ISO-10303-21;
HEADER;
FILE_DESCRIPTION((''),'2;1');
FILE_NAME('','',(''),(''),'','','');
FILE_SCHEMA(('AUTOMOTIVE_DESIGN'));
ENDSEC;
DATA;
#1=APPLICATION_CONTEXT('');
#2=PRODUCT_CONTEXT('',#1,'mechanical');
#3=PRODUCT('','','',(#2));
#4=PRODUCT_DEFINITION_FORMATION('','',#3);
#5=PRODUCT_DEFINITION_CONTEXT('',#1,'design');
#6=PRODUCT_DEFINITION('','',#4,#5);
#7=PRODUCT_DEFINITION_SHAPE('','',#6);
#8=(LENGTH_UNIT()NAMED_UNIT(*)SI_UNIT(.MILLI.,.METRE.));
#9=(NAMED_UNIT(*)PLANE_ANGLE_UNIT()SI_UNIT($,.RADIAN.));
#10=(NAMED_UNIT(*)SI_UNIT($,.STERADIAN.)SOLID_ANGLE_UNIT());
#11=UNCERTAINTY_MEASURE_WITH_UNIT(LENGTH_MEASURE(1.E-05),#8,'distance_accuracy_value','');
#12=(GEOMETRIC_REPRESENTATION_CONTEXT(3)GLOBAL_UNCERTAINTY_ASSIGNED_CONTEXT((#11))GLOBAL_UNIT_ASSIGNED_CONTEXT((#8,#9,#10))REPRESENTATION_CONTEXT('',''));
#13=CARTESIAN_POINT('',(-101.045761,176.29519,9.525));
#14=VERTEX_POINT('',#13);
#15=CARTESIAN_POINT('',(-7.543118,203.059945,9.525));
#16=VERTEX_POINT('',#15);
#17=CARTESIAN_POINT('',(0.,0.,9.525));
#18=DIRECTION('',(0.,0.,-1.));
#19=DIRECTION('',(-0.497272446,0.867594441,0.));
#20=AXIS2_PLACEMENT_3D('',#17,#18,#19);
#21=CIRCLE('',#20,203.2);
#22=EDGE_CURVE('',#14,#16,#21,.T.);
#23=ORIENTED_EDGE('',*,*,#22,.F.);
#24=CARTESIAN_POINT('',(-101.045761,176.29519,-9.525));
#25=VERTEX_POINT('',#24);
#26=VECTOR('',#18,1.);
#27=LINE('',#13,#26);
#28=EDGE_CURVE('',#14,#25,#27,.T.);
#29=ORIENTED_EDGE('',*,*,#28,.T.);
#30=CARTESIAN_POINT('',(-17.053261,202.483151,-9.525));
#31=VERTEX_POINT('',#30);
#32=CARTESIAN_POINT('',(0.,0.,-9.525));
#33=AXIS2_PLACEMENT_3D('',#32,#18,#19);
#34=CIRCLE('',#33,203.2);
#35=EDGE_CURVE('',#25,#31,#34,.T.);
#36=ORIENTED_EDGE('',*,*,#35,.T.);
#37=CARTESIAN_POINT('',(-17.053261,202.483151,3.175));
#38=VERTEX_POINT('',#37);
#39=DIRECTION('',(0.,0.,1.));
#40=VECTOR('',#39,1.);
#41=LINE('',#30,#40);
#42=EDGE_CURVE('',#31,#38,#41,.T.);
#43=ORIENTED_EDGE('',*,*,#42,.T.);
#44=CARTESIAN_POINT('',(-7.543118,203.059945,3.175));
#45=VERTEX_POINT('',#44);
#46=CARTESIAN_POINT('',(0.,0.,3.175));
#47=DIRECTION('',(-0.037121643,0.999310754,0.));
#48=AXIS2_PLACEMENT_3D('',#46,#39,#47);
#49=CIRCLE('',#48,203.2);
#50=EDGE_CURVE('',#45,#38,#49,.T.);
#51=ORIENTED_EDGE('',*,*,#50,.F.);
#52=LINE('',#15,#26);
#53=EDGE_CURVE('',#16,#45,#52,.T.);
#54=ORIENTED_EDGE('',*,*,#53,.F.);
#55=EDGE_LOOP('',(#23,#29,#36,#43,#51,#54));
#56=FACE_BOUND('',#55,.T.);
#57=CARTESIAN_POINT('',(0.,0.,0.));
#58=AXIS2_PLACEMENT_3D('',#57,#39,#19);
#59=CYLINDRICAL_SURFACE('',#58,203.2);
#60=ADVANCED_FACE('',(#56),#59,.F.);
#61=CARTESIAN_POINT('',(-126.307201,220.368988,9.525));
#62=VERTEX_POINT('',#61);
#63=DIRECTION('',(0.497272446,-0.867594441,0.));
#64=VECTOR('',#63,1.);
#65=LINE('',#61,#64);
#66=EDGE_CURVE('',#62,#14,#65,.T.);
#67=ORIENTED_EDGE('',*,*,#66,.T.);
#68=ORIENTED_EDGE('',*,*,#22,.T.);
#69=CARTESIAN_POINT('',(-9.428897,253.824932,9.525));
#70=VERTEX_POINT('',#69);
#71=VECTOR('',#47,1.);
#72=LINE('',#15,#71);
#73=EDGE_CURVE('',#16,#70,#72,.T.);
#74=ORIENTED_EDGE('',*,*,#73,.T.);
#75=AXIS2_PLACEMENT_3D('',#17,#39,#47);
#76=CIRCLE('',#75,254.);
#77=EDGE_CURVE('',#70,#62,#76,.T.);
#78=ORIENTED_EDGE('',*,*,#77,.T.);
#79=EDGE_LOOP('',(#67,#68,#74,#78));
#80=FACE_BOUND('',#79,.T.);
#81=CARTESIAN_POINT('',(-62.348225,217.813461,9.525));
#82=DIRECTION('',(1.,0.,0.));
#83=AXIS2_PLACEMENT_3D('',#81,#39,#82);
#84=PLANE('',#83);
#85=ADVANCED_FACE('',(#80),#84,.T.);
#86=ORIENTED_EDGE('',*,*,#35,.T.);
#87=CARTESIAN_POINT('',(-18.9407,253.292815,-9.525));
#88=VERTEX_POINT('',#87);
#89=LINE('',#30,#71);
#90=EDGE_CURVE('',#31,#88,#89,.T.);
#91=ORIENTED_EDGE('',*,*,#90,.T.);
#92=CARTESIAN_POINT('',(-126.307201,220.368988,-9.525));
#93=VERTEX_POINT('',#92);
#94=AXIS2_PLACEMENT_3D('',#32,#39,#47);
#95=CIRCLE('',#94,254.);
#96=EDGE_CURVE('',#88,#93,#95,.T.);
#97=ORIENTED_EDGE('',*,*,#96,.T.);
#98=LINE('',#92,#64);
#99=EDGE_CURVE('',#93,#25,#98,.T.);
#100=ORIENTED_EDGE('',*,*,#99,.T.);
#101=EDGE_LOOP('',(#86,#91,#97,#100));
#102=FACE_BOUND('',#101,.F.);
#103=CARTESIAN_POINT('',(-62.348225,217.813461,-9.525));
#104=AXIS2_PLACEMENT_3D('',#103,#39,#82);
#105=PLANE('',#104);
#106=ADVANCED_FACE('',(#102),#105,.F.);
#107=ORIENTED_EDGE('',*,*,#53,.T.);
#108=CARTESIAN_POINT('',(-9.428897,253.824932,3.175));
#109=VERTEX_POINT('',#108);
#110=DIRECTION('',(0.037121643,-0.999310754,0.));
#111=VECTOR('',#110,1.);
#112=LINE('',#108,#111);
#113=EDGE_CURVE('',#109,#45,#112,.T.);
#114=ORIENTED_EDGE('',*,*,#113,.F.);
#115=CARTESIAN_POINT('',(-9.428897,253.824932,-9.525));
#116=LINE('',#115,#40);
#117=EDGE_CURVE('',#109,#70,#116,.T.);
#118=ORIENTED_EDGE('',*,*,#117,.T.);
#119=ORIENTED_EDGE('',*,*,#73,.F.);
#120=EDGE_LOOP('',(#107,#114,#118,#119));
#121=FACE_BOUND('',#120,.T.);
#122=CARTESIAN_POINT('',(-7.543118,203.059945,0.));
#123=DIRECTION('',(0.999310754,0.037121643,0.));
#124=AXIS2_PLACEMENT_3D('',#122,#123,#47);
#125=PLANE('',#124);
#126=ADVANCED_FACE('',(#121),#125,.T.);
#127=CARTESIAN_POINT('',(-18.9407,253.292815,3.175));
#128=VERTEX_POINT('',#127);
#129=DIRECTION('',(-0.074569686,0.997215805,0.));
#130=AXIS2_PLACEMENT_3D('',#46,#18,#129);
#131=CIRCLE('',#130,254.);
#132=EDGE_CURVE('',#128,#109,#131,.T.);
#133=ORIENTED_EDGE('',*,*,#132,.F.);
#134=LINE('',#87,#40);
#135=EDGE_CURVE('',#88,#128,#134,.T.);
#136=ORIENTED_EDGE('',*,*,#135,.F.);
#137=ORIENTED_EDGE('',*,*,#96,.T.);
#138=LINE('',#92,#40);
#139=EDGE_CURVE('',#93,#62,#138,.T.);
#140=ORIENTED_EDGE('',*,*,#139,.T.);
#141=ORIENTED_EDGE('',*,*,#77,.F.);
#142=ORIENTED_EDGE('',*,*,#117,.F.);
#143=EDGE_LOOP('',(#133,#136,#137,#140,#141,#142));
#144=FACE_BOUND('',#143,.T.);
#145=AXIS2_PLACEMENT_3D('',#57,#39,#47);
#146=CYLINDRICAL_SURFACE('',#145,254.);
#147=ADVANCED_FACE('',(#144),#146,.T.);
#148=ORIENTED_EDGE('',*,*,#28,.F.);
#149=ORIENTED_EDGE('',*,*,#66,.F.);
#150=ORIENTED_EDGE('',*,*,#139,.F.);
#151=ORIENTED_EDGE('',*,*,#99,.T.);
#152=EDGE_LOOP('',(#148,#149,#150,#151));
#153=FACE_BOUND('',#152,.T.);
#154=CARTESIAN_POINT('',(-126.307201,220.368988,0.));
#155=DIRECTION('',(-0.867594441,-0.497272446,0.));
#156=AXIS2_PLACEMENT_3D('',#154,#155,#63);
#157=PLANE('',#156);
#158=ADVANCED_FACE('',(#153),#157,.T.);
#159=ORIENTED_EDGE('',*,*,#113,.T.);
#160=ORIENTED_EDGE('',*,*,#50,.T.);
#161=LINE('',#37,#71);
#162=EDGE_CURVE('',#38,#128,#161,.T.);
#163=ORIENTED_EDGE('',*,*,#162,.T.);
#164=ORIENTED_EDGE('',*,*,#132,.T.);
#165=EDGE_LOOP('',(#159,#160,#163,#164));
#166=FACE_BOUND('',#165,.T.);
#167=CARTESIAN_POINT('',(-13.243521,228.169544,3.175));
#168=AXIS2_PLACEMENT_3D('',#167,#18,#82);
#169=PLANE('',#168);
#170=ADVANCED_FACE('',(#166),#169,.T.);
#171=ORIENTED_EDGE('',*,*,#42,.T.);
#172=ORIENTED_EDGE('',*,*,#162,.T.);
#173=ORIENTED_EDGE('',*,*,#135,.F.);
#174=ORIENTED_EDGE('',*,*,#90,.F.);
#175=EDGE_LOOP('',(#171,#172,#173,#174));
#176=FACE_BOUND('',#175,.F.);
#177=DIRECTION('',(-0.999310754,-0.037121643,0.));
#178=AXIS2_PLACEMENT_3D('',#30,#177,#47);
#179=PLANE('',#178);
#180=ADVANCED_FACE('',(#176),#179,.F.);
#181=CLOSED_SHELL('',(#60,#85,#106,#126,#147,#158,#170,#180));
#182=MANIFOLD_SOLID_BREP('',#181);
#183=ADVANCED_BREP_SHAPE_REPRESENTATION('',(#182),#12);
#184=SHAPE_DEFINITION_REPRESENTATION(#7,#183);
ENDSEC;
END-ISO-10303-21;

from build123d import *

# Parameters (mm, degrees)
F1_DEPTH = 9.525
F3_DEPTH = 12.7


with BuildPart() as f1:
    # F0 (on Top) → F1 (new body, symmetric)
    with BuildSketch(Plane.XY):
        with BuildLine():
            Line((-7.5431177714, 203.059945273), (-9.4288972142, 253.8249315913))
            ThreePointArc((-9.4288972142, 253.8249315913), (-69.899192714, 244.192757587), (-126.3072012065, 220.3689881162))
            Line((-126.3072012065, 220.3689881162), (-101.0457609652, 176.295190493))
            ThreePointArc((-101.0457609652, 176.295190493), (-55.9193541712, 195.3542060696), (-7.5431177714, 203.059945273))
        make_face()
    extrude(amount=F1_DEPTH, both=True)

    # F2 (on face) → F3 (cut)
    with BuildSketch(Plane(origin=(0, 0, -9.525), x_dir=(1, 0, 0), z_dir=(0, 0, -1))):
        with BuildLine():
            ThreePointArc((-7.5431177714, -203.059945273), (-12.3015704517, -202.8272944266), (-17.0532610321, -202.4831506278))
            Line((-17.0532610321, -202.4831506278), (-18.9407001232, -253.292814503))
            ThreePointArc((-18.9407001232, -253.292814503), (-14.1872936257, -253.6034713871), (-9.4288972142, -253.8249315913))
            Line((-9.4288972142, -253.8249315913), (-7.5431177714, -203.059945273))
        make_face()
    extrude(amount=-F3_DEPTH, mode=Mode.SUBTRACT)


solid = f1.part
